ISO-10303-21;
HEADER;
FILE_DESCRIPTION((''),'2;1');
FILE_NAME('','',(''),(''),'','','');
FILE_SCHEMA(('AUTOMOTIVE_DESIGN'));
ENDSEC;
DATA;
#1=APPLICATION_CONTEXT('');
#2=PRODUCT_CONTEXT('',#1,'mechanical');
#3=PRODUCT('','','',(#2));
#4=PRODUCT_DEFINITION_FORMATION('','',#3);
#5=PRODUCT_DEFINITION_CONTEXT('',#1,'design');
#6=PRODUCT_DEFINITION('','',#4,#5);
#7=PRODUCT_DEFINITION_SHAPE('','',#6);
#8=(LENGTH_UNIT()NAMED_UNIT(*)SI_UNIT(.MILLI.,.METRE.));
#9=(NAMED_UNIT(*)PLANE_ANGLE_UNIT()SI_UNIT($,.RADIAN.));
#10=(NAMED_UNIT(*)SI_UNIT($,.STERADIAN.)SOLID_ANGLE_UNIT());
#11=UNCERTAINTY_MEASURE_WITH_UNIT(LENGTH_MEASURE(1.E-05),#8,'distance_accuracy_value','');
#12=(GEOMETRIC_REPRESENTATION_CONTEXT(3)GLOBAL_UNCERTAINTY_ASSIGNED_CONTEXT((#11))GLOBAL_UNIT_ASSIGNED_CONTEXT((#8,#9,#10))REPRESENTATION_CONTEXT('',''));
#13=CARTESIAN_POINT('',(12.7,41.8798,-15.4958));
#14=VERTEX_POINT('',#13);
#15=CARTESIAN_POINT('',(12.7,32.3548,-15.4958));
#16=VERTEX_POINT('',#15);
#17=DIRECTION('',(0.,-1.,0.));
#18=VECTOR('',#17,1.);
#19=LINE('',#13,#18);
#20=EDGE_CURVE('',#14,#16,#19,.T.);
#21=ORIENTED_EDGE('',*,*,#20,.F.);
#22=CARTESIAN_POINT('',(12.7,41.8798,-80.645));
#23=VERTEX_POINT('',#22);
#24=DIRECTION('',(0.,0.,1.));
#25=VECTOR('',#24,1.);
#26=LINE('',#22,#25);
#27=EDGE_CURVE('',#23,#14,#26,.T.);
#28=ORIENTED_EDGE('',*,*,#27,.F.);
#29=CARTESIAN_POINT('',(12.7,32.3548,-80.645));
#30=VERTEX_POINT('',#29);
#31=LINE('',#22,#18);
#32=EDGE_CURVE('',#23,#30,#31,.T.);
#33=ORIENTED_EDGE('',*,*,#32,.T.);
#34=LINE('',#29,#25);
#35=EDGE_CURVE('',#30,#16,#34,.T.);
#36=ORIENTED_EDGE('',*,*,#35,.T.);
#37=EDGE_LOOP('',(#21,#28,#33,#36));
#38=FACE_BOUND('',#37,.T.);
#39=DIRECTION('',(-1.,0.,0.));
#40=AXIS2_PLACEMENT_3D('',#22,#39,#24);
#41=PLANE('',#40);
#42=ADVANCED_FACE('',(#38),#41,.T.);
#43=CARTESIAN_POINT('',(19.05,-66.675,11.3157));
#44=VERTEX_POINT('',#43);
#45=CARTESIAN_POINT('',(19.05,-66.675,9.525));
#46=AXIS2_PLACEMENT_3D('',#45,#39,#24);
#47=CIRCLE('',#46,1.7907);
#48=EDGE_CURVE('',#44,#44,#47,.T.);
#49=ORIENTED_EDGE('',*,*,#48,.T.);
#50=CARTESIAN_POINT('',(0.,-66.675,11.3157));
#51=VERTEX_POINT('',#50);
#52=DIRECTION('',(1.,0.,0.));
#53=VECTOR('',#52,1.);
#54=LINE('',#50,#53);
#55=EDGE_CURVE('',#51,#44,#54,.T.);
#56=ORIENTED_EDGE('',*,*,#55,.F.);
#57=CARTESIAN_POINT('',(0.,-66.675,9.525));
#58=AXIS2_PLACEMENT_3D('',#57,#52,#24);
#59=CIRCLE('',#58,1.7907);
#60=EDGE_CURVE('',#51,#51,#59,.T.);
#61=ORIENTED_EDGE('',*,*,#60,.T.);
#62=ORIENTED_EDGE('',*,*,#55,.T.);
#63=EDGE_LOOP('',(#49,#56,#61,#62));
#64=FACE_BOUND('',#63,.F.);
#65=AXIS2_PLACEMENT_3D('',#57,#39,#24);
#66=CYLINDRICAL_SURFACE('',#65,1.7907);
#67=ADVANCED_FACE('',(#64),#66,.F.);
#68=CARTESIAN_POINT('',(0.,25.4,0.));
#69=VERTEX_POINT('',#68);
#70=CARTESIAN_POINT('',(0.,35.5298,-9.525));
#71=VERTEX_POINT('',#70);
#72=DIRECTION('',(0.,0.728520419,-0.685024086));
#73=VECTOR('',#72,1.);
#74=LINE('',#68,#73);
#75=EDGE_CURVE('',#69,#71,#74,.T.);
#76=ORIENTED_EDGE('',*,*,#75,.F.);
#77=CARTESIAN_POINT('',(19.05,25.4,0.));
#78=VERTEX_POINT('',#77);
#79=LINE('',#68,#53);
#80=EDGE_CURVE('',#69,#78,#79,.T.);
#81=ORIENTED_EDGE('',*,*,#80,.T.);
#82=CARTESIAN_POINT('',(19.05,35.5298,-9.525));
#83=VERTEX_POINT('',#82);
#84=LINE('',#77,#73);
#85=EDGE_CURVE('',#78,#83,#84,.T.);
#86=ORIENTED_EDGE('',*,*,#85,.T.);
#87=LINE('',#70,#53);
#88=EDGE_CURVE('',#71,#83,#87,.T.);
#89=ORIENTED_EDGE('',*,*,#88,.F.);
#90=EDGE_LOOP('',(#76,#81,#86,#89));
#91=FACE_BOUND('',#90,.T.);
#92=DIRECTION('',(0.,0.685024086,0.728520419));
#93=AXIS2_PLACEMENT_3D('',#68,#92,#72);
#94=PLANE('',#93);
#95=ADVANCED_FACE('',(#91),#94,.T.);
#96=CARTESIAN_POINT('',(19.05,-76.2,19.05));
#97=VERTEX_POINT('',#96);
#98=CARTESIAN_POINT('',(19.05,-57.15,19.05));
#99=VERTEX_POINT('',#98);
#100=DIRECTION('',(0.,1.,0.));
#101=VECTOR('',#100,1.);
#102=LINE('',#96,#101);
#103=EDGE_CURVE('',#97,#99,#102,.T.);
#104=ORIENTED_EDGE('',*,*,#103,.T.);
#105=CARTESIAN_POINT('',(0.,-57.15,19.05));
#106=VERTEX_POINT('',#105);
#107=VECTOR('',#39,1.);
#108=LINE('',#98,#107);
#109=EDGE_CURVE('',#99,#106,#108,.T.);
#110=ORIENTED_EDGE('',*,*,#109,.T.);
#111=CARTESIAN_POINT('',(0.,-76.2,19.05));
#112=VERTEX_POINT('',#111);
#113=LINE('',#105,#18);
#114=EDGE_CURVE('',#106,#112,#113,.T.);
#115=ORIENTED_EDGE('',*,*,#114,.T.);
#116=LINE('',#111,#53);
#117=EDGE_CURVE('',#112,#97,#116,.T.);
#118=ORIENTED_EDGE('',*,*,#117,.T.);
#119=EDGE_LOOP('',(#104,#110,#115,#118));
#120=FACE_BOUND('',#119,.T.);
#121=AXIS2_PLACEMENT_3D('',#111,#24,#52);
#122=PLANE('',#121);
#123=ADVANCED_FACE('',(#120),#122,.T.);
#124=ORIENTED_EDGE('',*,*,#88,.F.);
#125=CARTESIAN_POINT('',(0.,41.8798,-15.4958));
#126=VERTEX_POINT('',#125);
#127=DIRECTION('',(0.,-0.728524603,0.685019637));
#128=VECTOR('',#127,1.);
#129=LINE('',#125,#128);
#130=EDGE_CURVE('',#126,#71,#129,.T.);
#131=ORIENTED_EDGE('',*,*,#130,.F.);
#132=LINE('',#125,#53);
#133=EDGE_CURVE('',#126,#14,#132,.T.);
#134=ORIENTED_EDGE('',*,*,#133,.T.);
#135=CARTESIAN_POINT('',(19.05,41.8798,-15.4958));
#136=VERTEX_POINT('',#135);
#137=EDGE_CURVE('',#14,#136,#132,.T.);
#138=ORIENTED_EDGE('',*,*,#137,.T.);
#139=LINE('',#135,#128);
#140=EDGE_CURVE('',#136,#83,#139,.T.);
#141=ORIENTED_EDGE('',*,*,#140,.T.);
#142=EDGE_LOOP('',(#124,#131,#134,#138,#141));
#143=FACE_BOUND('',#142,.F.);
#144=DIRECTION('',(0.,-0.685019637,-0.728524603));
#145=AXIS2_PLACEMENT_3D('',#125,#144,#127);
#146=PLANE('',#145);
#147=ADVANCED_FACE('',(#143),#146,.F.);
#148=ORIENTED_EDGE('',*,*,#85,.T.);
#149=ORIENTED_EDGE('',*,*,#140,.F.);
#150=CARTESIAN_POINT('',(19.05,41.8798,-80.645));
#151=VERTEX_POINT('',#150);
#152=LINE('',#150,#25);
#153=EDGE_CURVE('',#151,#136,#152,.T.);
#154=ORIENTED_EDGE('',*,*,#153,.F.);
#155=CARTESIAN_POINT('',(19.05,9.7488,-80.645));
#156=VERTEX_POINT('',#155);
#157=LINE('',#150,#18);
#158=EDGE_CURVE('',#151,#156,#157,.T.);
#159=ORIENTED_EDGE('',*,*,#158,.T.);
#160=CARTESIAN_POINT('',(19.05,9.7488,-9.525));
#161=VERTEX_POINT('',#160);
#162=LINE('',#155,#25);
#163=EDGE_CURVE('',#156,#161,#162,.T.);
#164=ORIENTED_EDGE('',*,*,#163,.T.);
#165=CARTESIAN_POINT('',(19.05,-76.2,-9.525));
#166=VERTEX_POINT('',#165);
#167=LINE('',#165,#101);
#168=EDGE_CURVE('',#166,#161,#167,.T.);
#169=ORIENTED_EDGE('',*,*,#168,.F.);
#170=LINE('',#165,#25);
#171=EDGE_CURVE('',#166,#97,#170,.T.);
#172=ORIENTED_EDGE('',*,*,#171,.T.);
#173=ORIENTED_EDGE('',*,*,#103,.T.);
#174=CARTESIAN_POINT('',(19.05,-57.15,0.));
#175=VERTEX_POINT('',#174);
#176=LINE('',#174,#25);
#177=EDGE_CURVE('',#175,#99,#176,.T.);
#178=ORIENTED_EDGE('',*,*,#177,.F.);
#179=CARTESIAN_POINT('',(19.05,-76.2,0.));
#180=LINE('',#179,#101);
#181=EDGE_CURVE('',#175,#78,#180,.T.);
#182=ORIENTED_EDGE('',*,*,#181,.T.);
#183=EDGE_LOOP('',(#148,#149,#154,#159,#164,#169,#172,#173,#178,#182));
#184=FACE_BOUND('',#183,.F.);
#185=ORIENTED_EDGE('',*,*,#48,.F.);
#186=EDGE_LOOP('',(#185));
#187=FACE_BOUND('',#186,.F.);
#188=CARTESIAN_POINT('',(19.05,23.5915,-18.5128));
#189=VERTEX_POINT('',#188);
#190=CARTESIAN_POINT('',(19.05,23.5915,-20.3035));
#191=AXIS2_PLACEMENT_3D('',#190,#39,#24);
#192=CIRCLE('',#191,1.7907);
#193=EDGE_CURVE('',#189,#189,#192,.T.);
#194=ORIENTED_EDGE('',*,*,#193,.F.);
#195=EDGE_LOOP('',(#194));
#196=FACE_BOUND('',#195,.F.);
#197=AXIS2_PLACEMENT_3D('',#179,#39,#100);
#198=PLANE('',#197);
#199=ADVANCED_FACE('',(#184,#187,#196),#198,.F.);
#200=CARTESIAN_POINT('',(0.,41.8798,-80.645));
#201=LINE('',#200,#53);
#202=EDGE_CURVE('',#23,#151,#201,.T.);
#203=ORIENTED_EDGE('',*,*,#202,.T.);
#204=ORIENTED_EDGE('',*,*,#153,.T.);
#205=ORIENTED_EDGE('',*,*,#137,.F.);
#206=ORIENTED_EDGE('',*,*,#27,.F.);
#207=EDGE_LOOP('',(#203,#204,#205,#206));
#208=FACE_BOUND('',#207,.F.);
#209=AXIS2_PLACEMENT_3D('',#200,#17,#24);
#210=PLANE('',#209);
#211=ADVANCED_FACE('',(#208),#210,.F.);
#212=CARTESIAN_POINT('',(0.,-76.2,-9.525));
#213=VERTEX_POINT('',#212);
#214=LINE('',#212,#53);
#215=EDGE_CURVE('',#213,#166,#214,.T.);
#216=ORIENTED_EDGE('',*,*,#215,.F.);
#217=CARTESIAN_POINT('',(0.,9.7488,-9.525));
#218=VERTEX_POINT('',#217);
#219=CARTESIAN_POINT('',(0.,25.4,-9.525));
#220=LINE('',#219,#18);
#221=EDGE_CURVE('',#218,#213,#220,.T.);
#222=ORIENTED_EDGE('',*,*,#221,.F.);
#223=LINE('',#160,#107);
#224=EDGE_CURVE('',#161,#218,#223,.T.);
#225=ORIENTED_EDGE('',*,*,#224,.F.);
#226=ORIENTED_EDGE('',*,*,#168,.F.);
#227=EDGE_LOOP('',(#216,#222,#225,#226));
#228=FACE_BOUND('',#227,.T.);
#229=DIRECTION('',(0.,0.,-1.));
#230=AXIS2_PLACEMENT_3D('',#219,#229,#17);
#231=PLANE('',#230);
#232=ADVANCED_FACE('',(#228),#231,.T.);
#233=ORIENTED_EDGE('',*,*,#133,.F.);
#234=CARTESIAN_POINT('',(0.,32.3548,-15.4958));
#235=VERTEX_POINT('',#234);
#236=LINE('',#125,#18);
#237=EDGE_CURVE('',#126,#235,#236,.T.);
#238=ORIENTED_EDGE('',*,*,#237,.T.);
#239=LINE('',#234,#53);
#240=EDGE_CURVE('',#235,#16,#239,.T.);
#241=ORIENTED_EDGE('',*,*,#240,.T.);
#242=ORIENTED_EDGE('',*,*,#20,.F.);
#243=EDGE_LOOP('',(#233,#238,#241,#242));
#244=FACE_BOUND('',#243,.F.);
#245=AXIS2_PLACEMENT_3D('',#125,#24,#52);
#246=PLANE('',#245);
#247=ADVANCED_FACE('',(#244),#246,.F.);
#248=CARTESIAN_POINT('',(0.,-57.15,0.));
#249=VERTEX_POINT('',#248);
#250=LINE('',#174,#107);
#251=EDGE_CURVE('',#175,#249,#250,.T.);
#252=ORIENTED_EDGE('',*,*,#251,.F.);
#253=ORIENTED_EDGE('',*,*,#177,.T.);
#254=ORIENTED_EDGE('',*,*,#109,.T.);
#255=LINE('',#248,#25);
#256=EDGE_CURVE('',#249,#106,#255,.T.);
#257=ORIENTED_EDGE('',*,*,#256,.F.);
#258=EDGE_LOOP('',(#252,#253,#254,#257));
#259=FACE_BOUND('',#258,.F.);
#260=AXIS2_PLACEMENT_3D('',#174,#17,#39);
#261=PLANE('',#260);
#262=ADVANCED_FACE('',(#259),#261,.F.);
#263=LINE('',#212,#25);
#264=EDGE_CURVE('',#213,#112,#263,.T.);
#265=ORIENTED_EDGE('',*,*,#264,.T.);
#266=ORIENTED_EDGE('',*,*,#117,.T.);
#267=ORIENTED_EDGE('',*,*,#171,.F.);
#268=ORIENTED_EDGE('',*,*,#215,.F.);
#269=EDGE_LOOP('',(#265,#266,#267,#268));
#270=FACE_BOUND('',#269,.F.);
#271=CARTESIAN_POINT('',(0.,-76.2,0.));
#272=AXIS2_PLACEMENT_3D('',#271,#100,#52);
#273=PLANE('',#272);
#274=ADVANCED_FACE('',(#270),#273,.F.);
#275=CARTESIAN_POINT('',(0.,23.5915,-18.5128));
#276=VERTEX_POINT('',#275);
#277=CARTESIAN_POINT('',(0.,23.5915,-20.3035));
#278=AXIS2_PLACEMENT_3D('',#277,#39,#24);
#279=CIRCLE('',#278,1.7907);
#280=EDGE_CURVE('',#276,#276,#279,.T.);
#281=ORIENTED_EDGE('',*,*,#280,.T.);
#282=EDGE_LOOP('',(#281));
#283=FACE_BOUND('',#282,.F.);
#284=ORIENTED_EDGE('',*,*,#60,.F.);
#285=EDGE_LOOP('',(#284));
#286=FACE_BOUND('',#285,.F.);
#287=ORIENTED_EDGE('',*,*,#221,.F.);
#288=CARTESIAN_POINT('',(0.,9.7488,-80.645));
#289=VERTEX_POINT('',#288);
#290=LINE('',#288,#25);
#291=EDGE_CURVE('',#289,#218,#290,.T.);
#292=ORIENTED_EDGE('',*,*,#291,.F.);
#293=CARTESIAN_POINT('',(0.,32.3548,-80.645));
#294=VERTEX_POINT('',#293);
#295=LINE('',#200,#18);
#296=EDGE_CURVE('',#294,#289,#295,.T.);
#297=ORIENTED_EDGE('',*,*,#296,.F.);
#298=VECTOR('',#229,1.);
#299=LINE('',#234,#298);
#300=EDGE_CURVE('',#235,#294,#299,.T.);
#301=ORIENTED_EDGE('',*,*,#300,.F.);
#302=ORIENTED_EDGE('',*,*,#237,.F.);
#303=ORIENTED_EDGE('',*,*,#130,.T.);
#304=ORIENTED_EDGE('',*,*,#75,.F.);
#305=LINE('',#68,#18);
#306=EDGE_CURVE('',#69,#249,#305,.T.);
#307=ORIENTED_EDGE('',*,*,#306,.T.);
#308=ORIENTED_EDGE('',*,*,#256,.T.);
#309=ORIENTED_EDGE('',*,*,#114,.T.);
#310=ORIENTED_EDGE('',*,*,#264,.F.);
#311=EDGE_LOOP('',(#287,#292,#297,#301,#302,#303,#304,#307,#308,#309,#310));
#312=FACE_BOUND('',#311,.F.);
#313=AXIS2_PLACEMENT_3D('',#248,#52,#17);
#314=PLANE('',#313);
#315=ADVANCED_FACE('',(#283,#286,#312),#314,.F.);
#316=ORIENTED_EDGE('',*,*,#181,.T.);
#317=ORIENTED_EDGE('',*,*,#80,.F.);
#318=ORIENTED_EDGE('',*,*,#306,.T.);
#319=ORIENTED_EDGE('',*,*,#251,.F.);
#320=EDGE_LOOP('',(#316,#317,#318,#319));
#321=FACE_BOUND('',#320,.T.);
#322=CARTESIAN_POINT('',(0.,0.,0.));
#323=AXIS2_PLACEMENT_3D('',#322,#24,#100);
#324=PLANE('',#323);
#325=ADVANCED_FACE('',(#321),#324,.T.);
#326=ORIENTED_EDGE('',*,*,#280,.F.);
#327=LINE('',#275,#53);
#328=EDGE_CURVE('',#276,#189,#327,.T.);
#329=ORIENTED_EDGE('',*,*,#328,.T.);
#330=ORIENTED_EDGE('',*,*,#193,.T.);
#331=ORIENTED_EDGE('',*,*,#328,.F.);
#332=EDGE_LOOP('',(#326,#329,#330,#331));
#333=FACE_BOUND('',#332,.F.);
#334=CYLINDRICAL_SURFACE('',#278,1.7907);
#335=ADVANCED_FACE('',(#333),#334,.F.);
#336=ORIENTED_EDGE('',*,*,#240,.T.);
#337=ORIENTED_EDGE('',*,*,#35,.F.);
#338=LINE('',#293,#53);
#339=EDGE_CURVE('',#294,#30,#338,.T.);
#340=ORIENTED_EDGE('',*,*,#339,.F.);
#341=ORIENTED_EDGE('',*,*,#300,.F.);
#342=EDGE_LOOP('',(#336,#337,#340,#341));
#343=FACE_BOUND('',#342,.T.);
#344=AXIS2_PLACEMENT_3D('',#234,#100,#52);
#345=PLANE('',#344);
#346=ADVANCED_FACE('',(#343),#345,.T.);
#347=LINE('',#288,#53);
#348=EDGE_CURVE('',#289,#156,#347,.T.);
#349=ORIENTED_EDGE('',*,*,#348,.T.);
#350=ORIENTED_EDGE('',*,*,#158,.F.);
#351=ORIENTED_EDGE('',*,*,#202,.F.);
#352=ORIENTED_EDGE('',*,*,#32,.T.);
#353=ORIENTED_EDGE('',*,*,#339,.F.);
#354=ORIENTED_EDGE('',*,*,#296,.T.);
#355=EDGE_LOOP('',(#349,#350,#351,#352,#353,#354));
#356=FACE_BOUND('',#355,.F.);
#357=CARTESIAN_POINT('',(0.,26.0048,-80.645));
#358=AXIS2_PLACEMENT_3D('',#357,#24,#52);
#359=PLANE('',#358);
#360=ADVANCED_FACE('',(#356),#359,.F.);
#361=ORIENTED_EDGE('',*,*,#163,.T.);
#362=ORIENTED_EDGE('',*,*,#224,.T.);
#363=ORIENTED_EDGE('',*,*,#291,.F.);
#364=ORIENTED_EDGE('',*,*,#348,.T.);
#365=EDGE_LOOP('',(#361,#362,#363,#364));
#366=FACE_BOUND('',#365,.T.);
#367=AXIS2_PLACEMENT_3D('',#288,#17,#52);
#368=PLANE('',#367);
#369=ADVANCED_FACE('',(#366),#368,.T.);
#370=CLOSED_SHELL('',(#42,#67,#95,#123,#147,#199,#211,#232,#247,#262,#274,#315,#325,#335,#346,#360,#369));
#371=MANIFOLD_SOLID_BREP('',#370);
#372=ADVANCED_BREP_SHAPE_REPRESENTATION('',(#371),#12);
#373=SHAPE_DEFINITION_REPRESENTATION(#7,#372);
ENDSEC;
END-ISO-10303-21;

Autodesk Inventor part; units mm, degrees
ref_plane "YZ Plane" through (0, 0, 0) normal (1, 0, 0) x (0, 1, 0)
ref_plane "XZ Plane" through (0, 0, 0) normal (0, 1, 0) x (-1, 0, 0)
ref_plane "XY Plane" through (0, 0, 0) normal (0, 0, 1) x (1, 0, 0)
sketch "Sketch1" plane through (0, 0, 0) normal (1, 0, 0) x (0, 1, 0)
  line L0 (0, 0) -> (25.4, 0)
  line L1 (25.4, 0) -> (25.4, -9.525)
  line L2 (25.4, -9.525) -> (0, -9.525)
  line L3 (0, -9.525) -> (0, 0)
  line L4 (25.4, -9.525) -> (35.5298, -9.525)
  line L5 (35.5298, -9.525) -> (35.5298, -29.845)
  line L6 (25.4, -9.525) -> (25.4, -24.4288)
  line L7 (25.4, -24.4288) -> (25.4, -29.845)
  line L8 (35.5298, -29.845) -> (26.0048, -29.845)
  line L9 (26.0048, -29.845) -> (26.0048, -80.645)
  line L10 (26.0048, -80.645) -> (35.5298, -80.645)
  line L11 (35.5298, -80.645) -> (35.5298, -29.845)
  line L12 (35.5298, -80.645) -> (41.8798, -80.645)
  line L13 (41.8798, -80.645) -> (41.8798, -15.4958)
  line L14 (41.8798, -15.4958) -> (35.5298, -15.4958)
  line L15 (35.5298, -15.4958) -> (35.5298, -80.645)
  line L16 (25.4, 0) -> (35.5298, -9.525)
  line L17 (41.8798, -15.4958) -> (35.5298, -9.525)
  line L18 (26.0048, -29.845) -> (25.4, -29.845)
  line L19 (0, 0) -> (-76.2, 0)
  line L20 (-76.2, 0) -> (-76.2, -9.525)
  line L21 (-76.2, -9.525) -> (0, -9.525)
  line L22 (0, -9.525) -> (0, 0)
  dimension "d0" = 25.4
  dimension "d1" = 9.525
  dimension "d3" = 20.32
  dimension "d11" = 50.8
  dimension "d12" = 6.35
  dimension "d13" = 76.2
  dimension "d14" = 9.525
extrude "Extrusion1" add sketch "Sketch1" along normal blind 19.05
sketch "Sketch4" plane through (0, 26.0048, -80.645) normal (0, -1, 0) x (1, 0, 0)
  line L0 (0, 0) -> (0, 65.1492) projected
  line L1 (19.05, 71.12) -> (19.05, 50.8) projected
  line L2 (0, 0) -> (19.05, 0)
  line L3 (19.05, 0) -> (19.05, 71.12)
  line L4 (19.05, 71.12) -> (0, 71.12)
  line L5 (0, 71.12) -> (0, 0)
  point P0 (0, 80.645)
  point P1 (0, 65.1492)
extrude "Extrusion3" add sketch "Sketch4" along normal blind 16.256
sketch "Sketch5" plane through (0, 41.8798, -15.4958) normal (0, 1, 0) x (1, 0, 0)
  line L0 (0, 65.1492) -> (19.05, 65.1492) projected
  line L1 (0, 0) -> (19.05, 0) projected
  line L2 (0, 65.1492) -> (12.7, 65.1492)
  line L3 (12.7, 65.1492) -> (12.7, 0)
  line L4 (12.7, 0) -> (0, 0)
  line L5 (0, 0) -> (0, 65.1492)
  point P0 (0, -15.4958)
  dimension "d17" = 12.7
extrude "Extrusion4" cut sketch "Sketch5" against normal blind 9.525
sketch "Sketch6" plane through (0, 0, 0) normal (-1, 0, 0) x (0, 0, 1)
  circle A0 centre (-20.3035, 23.5915) radius 1.7907
  point P0 (0, 0)
  dimension "d20" = 3.5814
extrude "Extrusion5" cut sketch "Sketch6" against normal blind 92.075
sketch "Sketch7" plane through (0, -76.2, 0) normal (0, 0, 1) x (1, 0, 0)
  line L0 (0, 0) -> (19.05, 0) projected
  line L1 (0, 0) -> (19.05, 0)
  line L2 (19.05, 0) -> (19.05, 19.05)
  line L3 (19.05, 19.05) -> (0, 19.05)
  line L4 (0, 19.05) -> (0, 0)
  point P0 (0, 76.2)
  dimension "d23" = 19.05
  dimension "d24" = 19.05
extrude "Extrusion6" add sketch "Sketch7" along normal blind 19.05
sketch "Sketch8" plane through (0, 0, 0) normal (-1, 0, 0) x (0, 0, 1)
  line L0 (-9.525, -76.2) -> (19.05, -76.2) projected
  line L1 (0, -57.15) -> (19.05, -76.2)
  line L2 (19.05, -76.2) -> (19.05, -57.15)
  line L3 (19.05, -57.15) -> (0, -76.2)
  circle A0 centre (9.525, -66.675) radius 1.7907
  point P0 (0, 0)
  dimension "d27" = 3.5814
extrude "Extrusion7" cut sketch "Sketch8" against normal blind 31.75 contours A0 L1 L3 | L3 L1 A0 | L1 L3 A0 | L1 A0 L3
properties part number "GripperServoAtt"
